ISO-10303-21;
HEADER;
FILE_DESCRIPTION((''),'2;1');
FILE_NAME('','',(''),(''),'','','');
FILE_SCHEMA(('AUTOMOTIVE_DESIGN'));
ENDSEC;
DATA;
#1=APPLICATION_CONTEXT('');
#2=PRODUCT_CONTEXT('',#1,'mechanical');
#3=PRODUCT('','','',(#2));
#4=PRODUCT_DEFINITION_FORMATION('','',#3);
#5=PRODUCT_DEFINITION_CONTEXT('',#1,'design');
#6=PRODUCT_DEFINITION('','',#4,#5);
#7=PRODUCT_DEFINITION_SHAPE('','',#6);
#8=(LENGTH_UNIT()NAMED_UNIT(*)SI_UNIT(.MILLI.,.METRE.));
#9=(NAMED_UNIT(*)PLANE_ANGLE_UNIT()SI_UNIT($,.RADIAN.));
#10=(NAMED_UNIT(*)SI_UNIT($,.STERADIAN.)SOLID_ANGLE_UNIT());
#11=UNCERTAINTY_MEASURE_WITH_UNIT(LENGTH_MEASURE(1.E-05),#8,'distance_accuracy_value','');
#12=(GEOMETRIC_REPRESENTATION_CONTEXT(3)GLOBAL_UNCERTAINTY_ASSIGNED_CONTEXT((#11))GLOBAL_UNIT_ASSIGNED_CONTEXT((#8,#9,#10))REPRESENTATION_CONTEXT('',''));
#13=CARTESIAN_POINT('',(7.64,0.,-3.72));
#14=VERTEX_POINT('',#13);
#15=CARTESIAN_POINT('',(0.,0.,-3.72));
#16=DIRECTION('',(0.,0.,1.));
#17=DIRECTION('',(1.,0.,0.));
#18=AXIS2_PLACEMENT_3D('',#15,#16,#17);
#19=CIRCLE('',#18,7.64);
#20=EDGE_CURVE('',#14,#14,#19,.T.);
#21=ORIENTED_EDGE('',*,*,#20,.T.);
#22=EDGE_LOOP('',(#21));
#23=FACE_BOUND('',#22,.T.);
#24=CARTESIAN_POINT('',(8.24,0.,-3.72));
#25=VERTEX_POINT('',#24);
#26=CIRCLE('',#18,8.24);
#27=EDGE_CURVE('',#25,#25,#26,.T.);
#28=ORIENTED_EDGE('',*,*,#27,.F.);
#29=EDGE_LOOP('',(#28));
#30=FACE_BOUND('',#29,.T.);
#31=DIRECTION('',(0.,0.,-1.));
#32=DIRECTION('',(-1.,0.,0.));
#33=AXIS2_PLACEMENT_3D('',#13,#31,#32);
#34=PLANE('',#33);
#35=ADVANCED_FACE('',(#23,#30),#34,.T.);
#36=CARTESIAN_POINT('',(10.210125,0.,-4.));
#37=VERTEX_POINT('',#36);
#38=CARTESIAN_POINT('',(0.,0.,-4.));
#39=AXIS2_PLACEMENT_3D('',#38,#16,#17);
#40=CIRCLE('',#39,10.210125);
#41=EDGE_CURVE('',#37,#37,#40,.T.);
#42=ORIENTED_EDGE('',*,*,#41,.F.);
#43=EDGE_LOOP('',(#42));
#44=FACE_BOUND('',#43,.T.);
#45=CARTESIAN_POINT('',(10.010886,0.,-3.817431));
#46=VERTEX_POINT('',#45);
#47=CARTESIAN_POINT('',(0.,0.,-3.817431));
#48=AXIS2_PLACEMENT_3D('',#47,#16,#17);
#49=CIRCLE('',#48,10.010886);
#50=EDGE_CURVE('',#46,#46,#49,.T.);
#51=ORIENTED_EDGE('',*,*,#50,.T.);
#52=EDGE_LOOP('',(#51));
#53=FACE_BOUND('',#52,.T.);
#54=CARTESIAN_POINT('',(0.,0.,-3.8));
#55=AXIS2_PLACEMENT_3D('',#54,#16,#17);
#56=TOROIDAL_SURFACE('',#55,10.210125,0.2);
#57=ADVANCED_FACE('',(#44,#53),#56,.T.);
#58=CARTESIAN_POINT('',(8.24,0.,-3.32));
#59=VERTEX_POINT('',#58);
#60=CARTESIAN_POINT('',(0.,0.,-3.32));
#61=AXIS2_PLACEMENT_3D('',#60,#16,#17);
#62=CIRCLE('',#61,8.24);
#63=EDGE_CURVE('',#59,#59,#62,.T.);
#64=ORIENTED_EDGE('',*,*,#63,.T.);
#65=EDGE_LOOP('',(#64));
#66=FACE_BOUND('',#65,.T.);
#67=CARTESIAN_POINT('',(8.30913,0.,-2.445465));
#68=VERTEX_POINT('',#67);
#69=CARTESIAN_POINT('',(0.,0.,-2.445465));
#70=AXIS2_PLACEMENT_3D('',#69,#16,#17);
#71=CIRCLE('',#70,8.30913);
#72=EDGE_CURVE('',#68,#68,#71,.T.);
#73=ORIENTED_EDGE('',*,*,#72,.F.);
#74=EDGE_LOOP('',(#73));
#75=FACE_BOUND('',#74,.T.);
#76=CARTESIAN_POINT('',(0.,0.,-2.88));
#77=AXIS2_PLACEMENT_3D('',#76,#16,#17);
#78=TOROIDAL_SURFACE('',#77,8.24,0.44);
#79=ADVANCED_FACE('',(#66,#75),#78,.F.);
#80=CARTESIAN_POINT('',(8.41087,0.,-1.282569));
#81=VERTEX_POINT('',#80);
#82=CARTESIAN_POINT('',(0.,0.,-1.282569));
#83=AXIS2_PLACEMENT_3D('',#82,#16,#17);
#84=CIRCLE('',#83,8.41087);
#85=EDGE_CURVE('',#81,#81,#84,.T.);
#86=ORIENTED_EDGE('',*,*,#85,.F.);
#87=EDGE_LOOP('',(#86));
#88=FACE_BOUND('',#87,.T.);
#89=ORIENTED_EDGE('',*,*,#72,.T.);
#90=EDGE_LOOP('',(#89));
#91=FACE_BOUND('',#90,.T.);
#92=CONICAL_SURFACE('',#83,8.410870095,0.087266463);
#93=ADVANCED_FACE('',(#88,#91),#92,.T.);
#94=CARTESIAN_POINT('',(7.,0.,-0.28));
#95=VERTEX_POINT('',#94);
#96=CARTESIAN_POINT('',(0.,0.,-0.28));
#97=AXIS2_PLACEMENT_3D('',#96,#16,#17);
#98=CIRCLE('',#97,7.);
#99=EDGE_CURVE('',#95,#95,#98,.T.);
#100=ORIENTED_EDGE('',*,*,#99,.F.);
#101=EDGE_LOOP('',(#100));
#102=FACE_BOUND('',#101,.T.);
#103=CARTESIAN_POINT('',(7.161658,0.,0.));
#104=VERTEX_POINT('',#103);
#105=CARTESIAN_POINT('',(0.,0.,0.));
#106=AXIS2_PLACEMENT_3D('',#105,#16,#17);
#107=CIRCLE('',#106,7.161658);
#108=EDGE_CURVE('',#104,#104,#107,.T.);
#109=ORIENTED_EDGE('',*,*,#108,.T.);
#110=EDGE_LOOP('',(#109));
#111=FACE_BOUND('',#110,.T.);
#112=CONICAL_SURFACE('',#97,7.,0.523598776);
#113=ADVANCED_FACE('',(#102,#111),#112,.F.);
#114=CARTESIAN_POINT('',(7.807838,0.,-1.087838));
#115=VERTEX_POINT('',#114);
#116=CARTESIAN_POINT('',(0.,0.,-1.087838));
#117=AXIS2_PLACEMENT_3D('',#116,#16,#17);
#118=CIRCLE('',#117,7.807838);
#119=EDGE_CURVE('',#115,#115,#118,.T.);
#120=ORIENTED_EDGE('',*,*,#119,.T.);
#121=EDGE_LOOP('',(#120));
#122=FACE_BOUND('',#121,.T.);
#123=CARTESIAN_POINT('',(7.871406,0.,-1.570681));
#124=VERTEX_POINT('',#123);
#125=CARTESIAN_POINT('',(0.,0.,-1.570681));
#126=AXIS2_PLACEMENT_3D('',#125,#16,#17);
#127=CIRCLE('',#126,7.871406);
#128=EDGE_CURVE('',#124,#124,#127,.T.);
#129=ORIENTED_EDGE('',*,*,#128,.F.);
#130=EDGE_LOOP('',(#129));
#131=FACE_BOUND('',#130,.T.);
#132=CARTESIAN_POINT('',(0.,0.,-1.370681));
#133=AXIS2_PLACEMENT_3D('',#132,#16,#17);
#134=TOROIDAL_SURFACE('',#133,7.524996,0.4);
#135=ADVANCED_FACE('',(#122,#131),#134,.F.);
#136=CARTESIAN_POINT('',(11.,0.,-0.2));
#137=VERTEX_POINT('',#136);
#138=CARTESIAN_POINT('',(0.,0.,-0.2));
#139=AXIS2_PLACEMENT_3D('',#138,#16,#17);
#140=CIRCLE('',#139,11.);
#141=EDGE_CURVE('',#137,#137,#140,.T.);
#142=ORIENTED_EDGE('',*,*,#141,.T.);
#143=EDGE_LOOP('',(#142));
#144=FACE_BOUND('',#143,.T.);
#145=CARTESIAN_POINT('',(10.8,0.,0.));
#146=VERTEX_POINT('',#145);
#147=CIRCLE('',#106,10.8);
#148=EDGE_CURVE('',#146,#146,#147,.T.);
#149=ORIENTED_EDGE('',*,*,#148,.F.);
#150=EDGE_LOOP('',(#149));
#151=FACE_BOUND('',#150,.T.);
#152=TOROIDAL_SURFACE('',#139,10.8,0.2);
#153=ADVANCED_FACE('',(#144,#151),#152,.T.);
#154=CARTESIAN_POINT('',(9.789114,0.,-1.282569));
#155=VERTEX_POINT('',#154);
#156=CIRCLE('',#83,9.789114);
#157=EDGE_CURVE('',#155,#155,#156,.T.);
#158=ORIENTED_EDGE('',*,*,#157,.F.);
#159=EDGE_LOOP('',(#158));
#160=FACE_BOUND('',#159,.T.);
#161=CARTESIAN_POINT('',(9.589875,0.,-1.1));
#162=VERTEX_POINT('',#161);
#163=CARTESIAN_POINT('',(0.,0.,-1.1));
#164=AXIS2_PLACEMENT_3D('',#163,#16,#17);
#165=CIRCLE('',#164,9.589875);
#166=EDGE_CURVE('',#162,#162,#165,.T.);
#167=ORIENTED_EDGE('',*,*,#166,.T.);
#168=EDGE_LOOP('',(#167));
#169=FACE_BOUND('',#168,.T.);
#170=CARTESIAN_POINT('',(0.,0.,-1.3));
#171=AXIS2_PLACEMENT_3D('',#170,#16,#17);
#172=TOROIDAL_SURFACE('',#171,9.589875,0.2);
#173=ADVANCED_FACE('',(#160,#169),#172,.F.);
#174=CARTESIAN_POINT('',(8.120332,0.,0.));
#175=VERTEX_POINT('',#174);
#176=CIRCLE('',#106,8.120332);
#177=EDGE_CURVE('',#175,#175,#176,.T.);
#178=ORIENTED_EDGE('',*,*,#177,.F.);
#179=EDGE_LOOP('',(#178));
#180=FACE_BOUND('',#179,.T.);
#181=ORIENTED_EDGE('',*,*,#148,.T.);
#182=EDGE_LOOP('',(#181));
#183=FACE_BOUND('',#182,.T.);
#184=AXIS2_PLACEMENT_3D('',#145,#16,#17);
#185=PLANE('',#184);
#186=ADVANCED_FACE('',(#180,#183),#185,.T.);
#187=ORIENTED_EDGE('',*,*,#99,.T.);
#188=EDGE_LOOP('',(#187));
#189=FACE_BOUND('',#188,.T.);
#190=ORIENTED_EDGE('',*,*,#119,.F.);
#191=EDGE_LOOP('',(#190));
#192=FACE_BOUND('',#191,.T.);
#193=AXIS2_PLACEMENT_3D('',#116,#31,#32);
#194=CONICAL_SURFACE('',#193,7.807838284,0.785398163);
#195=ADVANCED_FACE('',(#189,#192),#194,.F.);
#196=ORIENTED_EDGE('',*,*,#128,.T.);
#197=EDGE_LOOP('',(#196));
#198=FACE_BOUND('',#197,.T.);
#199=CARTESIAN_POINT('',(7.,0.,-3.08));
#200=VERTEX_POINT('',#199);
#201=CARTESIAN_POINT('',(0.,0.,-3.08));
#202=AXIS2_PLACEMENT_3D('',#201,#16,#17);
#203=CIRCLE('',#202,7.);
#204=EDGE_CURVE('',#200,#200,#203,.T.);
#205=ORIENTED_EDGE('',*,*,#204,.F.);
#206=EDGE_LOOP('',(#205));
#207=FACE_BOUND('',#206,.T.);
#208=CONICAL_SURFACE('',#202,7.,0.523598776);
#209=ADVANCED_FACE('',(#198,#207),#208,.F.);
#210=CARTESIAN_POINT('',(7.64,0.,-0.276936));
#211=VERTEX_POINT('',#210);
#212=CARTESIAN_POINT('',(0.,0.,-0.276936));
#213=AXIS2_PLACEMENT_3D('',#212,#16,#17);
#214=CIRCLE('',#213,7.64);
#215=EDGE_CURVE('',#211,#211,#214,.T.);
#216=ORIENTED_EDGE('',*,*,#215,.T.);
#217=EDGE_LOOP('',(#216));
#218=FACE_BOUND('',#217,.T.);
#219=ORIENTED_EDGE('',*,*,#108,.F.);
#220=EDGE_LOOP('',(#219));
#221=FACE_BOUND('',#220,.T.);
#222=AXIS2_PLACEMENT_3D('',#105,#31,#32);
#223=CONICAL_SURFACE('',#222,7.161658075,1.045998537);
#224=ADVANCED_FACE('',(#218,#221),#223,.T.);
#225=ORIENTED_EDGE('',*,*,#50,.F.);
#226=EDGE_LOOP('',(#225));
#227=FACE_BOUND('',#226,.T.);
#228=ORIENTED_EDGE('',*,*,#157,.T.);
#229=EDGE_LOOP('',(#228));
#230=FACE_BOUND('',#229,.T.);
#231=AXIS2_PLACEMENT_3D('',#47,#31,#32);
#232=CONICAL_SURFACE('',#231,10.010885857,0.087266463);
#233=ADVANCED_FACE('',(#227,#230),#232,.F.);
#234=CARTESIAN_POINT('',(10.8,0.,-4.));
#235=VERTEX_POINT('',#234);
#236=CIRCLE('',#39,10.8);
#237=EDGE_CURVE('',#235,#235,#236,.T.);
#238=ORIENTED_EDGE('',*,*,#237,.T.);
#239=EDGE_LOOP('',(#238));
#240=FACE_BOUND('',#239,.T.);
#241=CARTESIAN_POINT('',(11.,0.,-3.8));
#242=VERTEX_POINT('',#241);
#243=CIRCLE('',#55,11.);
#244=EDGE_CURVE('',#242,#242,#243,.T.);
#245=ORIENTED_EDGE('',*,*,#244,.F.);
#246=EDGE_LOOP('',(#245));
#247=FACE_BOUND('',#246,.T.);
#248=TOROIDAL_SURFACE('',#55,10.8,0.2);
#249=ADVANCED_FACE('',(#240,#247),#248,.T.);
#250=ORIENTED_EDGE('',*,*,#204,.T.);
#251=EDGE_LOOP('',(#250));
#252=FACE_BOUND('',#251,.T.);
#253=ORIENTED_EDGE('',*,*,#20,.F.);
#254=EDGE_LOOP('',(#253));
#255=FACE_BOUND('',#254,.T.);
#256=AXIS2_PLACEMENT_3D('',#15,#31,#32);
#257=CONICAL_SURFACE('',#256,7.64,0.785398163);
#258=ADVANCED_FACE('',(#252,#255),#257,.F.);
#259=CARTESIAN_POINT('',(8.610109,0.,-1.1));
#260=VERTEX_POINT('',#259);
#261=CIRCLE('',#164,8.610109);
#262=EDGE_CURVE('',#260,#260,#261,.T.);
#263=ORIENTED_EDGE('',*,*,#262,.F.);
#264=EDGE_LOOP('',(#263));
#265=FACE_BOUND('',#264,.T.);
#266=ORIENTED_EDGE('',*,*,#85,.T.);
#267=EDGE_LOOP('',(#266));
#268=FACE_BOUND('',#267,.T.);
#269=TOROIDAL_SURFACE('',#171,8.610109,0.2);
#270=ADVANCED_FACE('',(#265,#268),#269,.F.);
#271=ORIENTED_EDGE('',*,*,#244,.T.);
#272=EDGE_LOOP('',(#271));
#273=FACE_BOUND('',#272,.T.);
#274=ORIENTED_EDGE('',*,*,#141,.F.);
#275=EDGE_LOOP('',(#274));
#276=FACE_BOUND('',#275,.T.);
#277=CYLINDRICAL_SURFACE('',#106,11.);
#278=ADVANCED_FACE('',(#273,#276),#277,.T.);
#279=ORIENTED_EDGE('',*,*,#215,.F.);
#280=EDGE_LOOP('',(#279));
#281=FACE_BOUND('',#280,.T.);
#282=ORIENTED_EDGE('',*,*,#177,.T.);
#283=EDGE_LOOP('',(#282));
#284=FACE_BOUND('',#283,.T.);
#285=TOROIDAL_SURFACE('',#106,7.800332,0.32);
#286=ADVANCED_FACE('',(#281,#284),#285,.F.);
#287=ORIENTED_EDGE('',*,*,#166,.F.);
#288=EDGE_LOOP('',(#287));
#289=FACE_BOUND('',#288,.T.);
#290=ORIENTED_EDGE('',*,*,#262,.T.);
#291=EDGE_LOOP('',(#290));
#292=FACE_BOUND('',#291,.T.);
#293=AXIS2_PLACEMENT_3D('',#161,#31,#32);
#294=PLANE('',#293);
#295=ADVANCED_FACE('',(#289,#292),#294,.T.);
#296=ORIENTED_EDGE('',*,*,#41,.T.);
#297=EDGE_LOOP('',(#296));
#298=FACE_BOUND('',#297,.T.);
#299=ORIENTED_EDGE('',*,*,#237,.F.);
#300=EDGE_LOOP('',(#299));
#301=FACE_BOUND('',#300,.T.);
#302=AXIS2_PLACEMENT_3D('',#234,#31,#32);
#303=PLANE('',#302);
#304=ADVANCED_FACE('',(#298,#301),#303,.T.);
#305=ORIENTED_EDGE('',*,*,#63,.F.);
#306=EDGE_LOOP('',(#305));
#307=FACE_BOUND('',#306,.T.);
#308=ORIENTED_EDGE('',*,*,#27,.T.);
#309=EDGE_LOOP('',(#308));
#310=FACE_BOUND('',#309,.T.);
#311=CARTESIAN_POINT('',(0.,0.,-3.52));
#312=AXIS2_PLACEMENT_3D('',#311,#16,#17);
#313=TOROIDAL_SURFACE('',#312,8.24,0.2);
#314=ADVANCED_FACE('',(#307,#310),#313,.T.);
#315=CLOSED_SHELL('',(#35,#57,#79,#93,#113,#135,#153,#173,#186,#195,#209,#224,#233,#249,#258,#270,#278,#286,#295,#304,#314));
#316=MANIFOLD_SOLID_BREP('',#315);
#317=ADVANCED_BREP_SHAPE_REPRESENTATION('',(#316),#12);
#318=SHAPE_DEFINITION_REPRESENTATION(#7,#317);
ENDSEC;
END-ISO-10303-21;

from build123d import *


with BuildPart() as part:
    # Seal Profile → Seal AOP (revolve)
    with BuildSketch(Plane(origin=(0, 0, 0), x_dir=(1, 0, 0), z_dir=(0, 1, 0))):
        with BuildLine():
            Line((11, 3.8), (11, 0.2))
            ThreePointArc((11, 0.2), (10.941421356, 0.058578644), (10.8, 0))
            Line((10.8, 0), (8.120332166, 0))
            ThreePointArc((8.120332166, 0), (7.960165997, 0.277224001), (7.64, 0.276936088))
            Line((7.64, 0.276936088), (7.161658075, 0))
            Line((7.161658075, 0), (7, 0.28))
            Line((7, 0.28), (7.807838284, 1.087838284))
            ThreePointArc((7.807838284, 1.087838284), (7.921573516, 1.31847052), (7.871405733, 1.570680996))
            Line((7.871405733, 1.570680996), (7, 3.08))
            Line((7, 3.08), (7.64, 3.72))
            Line((7.64, 3.72), (8.24, 3.72))
            ThreePointArc((8.24, 3.72), (8.44, 3.52), (8.24, 3.32))
            ThreePointArc((8.24, 3.32), (7.801368265, 2.845327226), (8.309129905, 2.445464551))
            Line((8.309129905, 2.445464551), (8.410870095, 1.282568851))
            ThreePointArc((8.410870095, 1.282568851), (8.474990993, 1.152544533), (8.610109035, 1.1))
            Line((8.610109035, 1.1), (9.589875203, 1.1))
            ThreePointArc((9.589875203, 1.1), (9.724993245, 1.152544533), (9.789114143, 1.282568851))
            Line((9.789114143, 1.282568851), (10.010885857, 3.817431149))
            ThreePointArc((10.010885857, 3.817431149), (10.075006755, 3.947455467), (10.210124797, 4))
            Line((10.210124797, 4), (10.8, 4))
            ThreePointArc((10.8, 4), (10.941421356, 3.941421356), (11, 3.8))
        make_face()
    revolve(axis=Axis((0, 0, 0), (0, 0, -1)))


solid = part.part
